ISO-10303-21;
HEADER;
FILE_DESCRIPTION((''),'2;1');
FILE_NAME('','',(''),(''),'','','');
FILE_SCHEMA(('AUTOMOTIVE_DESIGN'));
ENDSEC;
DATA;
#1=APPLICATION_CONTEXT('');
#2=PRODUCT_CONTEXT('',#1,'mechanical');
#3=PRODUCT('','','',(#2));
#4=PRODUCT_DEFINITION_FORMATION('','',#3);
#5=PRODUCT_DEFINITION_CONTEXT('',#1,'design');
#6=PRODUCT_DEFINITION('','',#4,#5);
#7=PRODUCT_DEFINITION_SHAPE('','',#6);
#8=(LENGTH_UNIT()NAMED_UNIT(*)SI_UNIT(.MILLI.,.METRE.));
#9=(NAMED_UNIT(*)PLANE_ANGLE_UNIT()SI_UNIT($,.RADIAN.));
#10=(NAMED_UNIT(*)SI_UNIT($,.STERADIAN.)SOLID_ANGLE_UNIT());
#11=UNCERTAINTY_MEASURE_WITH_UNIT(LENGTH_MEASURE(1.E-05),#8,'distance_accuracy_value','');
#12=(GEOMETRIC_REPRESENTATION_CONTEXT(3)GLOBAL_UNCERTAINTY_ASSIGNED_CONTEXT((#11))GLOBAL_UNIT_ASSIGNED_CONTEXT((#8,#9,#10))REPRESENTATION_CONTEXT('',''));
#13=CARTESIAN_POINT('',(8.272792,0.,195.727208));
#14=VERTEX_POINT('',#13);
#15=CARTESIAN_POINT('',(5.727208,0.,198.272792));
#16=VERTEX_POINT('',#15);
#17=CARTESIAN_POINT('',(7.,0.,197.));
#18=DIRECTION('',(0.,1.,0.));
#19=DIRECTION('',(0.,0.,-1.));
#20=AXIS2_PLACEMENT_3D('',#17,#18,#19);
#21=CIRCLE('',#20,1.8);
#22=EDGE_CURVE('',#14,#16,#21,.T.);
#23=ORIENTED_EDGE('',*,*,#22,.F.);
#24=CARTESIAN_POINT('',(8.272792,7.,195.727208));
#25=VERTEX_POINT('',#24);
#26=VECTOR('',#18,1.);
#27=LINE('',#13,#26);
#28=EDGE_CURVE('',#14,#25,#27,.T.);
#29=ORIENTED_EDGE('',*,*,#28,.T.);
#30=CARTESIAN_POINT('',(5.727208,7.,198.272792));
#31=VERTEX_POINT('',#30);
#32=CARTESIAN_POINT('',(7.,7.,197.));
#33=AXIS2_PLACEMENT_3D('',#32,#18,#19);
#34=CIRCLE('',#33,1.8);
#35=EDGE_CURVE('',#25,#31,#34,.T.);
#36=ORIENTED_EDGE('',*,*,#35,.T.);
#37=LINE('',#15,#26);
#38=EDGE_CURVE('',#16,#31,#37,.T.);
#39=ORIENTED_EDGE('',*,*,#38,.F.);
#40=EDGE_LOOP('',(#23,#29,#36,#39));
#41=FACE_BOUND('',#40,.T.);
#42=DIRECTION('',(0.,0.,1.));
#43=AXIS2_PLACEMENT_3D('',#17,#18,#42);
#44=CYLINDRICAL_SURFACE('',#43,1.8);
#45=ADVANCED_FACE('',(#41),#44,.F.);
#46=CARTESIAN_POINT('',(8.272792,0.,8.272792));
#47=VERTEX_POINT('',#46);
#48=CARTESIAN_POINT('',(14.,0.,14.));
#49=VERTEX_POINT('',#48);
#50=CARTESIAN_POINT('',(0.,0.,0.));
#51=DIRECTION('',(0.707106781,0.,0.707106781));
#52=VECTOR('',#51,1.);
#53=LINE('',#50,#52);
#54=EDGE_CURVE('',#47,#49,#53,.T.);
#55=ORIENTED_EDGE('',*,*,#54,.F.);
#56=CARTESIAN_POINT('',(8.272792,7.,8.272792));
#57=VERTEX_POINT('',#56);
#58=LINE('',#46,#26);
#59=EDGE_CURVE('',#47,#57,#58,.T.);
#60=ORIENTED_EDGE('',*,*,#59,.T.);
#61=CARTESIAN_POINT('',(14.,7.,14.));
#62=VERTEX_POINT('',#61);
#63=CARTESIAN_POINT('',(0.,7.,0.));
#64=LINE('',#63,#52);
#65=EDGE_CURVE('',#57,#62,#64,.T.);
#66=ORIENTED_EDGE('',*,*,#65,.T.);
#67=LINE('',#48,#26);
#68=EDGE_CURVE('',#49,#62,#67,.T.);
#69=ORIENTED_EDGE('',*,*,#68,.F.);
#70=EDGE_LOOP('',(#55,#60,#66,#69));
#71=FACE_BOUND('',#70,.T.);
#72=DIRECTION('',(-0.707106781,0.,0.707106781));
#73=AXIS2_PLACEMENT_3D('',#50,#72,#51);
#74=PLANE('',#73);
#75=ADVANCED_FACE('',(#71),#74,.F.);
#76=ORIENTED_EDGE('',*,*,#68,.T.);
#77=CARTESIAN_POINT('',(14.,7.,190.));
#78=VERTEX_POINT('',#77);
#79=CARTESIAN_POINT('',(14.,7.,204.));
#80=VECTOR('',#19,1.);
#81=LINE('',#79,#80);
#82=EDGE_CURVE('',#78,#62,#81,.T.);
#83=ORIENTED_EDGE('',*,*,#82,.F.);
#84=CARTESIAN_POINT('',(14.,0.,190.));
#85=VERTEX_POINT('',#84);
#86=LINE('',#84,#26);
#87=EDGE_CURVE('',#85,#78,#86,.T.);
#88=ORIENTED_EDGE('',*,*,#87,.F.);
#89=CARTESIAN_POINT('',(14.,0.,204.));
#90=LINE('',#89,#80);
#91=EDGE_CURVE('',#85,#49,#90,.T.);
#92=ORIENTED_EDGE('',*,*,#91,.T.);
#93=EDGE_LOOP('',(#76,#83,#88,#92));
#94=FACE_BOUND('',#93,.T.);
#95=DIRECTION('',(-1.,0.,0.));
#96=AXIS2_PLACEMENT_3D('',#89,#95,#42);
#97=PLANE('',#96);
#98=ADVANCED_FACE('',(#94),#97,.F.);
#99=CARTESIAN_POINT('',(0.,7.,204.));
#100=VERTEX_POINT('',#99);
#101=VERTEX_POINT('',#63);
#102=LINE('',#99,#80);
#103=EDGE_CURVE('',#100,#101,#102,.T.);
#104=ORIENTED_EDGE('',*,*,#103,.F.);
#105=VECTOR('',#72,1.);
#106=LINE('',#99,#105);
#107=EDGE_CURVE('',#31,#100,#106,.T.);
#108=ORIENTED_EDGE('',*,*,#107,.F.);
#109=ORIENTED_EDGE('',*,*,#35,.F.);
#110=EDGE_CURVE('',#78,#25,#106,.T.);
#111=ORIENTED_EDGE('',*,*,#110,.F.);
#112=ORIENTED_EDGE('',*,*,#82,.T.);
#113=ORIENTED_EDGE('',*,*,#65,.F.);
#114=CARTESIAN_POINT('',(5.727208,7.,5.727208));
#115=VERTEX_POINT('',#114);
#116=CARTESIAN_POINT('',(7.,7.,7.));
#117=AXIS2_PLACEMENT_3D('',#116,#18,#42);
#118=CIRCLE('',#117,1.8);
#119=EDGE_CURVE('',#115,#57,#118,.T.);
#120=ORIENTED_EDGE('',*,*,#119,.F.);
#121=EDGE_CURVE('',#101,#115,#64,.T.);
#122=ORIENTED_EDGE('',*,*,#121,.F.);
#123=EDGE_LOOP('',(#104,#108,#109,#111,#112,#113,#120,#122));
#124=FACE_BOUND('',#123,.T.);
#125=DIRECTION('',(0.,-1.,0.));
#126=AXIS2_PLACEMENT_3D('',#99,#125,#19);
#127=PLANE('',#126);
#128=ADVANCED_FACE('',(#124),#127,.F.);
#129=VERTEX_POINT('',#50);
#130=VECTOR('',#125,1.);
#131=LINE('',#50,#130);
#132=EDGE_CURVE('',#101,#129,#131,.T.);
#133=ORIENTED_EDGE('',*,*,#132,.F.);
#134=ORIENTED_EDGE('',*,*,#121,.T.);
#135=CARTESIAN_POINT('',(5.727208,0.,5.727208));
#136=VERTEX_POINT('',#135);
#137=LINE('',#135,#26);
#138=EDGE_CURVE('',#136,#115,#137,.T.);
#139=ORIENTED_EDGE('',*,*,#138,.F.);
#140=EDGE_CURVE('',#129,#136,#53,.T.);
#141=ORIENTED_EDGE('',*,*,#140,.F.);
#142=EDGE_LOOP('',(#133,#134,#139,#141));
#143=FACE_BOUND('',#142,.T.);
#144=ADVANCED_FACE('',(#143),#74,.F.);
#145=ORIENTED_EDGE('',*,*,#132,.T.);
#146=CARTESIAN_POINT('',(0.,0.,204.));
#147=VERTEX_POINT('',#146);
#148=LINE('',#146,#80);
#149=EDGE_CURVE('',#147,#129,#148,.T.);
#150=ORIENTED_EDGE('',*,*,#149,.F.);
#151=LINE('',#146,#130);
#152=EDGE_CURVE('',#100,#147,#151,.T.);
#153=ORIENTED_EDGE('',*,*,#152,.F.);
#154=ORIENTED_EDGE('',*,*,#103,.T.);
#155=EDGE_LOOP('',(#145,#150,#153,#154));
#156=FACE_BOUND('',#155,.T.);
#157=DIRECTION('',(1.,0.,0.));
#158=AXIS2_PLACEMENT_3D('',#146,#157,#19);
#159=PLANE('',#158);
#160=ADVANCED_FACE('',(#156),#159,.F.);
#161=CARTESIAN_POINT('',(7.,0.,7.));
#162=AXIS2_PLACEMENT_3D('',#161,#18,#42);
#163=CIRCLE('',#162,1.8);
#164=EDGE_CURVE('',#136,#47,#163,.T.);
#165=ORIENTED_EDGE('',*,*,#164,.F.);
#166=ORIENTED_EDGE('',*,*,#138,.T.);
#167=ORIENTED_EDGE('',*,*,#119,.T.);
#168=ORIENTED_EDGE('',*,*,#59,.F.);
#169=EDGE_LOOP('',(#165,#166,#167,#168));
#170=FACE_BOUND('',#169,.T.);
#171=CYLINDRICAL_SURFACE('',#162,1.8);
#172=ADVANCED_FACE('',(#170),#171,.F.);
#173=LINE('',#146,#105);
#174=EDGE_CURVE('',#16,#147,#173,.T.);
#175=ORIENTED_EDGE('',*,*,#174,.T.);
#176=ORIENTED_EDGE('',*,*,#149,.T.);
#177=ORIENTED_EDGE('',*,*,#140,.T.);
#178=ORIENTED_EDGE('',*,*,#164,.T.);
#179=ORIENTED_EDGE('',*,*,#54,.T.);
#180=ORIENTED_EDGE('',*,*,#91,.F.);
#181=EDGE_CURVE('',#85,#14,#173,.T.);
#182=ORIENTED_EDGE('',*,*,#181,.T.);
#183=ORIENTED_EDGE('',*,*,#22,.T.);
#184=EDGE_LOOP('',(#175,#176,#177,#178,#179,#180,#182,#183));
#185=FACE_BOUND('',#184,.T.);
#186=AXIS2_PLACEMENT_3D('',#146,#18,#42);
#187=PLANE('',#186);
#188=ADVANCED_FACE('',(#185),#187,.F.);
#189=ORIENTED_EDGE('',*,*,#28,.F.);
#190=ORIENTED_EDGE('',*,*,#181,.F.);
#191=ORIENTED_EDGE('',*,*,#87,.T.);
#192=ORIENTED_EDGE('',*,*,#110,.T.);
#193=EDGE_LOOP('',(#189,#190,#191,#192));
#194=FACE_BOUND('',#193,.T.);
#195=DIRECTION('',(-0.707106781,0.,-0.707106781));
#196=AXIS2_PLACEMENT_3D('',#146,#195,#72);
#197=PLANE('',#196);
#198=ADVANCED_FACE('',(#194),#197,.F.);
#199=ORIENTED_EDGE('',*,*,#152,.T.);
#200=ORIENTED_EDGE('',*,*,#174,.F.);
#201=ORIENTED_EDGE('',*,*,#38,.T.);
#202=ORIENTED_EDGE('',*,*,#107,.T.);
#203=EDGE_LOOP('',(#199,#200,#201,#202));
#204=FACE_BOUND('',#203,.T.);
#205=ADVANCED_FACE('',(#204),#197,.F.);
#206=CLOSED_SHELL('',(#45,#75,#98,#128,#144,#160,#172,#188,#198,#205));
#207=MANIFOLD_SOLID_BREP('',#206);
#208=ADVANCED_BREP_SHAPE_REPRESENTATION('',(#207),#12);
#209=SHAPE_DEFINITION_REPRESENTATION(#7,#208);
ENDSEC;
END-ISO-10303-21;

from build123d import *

# Parameters (mm, degrees)
SKETCH1_W           = 14
SKETCH1_H           = 7
BOSS_EXTRUDE1_DEPTH = 204
CUT_EXTRUDE1_DEPTH  = 8
CUT_EXTRUDE2_DEPTH  = 8


with BuildPart() as part:
    # Sketch1 → Boss-Extrude1 (new body)
    with BuildSketch(Plane.XY):
        with Locations((7, 3.5)):
            Rectangle(SKETCH1_W, SKETCH1_H)
    extrude(amount=BOSS_EXTRUDE1_DEPTH)

    # Sketch2 → Cut-Extrude1 (cut, through all)
    with BuildSketch(Plane(origin=(0, 7, 0), x_dir=(1, 0, 0), z_dir=(0, 1, 0))):
        Polygon((0, 0), (14, -14), (14, 0), align=None)
        Polygon((14, -204), (0, -204), (14, -190), align=None)
    extrude(amount=-CUT_EXTRUDE1_DEPTH, mode=Mode.SUBTRACT)

    # Sketch3 → Cut-Extrude2 (cut, through all)
    with BuildSketch(Plane(origin=(0, 7, 0), x_dir=(1, 0, 0), z_dir=(0, 1, 0))):
        with BuildLine():
            Line((8.272792206, -195.727207794), (5.727207794, -198.272792206))
            ThreePointArc((5.727207794, -198.272792206), (5.727207794, -195.727207794), (8.272792206, -195.727207794))
        make_face()
        with BuildLine():
            Line((5.727207794, -5.727207794), (8.272792206, -8.272792206))
            ThreePointArc((8.272792206, -8.272792206), (5.727207794, -8.272792206), (5.727207794, -5.727207794))
        make_face()
    extrude(amount=-CUT_EXTRUDE2_DEPTH, mode=Mode.SUBTRACT)


solid = part.part
